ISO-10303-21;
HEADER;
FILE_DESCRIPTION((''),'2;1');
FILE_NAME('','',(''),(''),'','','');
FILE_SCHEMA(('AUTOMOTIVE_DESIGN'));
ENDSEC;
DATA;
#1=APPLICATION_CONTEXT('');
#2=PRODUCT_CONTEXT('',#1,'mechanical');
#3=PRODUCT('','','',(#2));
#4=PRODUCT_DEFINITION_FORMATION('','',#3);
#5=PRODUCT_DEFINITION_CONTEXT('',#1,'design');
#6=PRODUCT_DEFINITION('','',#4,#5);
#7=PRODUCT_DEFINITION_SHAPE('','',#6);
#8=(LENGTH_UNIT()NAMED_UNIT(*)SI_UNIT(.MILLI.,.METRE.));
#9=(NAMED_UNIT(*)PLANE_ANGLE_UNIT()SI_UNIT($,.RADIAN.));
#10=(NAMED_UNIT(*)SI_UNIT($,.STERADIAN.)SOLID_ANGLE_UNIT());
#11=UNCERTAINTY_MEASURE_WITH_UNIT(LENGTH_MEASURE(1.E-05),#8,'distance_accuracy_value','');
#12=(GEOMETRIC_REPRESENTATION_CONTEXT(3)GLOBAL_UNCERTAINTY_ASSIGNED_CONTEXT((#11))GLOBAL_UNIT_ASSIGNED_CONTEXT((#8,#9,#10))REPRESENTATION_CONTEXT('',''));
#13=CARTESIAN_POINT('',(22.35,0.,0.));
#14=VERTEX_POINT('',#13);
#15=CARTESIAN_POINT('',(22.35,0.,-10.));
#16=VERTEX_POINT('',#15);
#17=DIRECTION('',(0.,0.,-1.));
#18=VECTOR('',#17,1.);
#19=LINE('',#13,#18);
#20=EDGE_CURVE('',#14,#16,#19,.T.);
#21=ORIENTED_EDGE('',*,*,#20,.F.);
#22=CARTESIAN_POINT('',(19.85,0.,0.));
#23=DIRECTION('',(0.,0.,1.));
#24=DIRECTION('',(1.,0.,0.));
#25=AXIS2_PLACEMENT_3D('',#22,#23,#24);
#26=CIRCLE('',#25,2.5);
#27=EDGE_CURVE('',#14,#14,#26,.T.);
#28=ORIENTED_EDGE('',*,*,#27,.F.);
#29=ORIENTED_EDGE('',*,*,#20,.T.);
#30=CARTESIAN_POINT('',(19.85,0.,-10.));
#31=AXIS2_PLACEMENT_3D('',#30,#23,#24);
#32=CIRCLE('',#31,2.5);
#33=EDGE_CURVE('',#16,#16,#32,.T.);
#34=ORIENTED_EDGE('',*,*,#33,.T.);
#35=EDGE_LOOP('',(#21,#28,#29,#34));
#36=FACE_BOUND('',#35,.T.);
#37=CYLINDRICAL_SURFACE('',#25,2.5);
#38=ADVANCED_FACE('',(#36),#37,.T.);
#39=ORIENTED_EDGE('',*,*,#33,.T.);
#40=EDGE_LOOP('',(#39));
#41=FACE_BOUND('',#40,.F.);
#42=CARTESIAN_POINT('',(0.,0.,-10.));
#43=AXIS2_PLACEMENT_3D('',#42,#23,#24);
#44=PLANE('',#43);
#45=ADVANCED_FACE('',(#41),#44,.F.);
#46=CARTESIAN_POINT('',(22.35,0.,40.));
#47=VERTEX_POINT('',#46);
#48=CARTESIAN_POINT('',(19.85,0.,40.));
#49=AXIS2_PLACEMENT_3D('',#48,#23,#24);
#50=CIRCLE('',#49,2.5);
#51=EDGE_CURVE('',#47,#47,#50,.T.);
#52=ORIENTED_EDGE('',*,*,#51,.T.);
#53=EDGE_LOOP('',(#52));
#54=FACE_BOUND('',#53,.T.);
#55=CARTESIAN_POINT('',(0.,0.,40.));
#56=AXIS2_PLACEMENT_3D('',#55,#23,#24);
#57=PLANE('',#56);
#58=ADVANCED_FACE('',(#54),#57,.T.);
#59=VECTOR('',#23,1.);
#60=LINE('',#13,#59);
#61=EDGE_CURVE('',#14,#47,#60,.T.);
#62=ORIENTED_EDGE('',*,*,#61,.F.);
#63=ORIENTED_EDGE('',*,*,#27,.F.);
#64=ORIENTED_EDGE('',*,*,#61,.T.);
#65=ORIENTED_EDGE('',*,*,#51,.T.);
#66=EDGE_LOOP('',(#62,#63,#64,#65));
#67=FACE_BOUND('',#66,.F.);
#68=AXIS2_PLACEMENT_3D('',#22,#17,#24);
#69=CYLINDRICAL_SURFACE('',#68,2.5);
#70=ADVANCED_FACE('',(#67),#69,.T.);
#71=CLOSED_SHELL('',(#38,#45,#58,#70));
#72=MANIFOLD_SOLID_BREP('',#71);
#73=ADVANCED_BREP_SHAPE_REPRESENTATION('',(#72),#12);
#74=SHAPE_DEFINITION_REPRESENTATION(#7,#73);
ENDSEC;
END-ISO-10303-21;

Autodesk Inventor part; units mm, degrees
ref_plane "YZ Plane" through (0, 0, 0) normal (1, 0, 0) x (0, 1, 0)
ref_plane "XZ Plane" through (0, 0, 0) normal (0, 1, 0) x (-1, 0, 0)
ref_plane "XY Plane" through (0, 0, 0) normal (0, 0, 1) x (1, 0, 0)
ref_plane "РабПлоскость1" through (0, 0, 0) normal (0, 0, 1) x (1, 0, 0)
sketch "Эскиз1" plane through (0, 0, 0) normal (0, 0, 1) x (1, 0, 0)
  circle A0 centre (19.85, 0) radius 3.6 projected
  circle A1 centre (19.85, 0) radius 2.5
  point P0 (0, 0)
  dimension "d0" = 5
extrude "Выдавливание1" add sketch "Эскиз1" along normal blind 40 and the other way blind 10 contours A1
properties part number "винтик"
